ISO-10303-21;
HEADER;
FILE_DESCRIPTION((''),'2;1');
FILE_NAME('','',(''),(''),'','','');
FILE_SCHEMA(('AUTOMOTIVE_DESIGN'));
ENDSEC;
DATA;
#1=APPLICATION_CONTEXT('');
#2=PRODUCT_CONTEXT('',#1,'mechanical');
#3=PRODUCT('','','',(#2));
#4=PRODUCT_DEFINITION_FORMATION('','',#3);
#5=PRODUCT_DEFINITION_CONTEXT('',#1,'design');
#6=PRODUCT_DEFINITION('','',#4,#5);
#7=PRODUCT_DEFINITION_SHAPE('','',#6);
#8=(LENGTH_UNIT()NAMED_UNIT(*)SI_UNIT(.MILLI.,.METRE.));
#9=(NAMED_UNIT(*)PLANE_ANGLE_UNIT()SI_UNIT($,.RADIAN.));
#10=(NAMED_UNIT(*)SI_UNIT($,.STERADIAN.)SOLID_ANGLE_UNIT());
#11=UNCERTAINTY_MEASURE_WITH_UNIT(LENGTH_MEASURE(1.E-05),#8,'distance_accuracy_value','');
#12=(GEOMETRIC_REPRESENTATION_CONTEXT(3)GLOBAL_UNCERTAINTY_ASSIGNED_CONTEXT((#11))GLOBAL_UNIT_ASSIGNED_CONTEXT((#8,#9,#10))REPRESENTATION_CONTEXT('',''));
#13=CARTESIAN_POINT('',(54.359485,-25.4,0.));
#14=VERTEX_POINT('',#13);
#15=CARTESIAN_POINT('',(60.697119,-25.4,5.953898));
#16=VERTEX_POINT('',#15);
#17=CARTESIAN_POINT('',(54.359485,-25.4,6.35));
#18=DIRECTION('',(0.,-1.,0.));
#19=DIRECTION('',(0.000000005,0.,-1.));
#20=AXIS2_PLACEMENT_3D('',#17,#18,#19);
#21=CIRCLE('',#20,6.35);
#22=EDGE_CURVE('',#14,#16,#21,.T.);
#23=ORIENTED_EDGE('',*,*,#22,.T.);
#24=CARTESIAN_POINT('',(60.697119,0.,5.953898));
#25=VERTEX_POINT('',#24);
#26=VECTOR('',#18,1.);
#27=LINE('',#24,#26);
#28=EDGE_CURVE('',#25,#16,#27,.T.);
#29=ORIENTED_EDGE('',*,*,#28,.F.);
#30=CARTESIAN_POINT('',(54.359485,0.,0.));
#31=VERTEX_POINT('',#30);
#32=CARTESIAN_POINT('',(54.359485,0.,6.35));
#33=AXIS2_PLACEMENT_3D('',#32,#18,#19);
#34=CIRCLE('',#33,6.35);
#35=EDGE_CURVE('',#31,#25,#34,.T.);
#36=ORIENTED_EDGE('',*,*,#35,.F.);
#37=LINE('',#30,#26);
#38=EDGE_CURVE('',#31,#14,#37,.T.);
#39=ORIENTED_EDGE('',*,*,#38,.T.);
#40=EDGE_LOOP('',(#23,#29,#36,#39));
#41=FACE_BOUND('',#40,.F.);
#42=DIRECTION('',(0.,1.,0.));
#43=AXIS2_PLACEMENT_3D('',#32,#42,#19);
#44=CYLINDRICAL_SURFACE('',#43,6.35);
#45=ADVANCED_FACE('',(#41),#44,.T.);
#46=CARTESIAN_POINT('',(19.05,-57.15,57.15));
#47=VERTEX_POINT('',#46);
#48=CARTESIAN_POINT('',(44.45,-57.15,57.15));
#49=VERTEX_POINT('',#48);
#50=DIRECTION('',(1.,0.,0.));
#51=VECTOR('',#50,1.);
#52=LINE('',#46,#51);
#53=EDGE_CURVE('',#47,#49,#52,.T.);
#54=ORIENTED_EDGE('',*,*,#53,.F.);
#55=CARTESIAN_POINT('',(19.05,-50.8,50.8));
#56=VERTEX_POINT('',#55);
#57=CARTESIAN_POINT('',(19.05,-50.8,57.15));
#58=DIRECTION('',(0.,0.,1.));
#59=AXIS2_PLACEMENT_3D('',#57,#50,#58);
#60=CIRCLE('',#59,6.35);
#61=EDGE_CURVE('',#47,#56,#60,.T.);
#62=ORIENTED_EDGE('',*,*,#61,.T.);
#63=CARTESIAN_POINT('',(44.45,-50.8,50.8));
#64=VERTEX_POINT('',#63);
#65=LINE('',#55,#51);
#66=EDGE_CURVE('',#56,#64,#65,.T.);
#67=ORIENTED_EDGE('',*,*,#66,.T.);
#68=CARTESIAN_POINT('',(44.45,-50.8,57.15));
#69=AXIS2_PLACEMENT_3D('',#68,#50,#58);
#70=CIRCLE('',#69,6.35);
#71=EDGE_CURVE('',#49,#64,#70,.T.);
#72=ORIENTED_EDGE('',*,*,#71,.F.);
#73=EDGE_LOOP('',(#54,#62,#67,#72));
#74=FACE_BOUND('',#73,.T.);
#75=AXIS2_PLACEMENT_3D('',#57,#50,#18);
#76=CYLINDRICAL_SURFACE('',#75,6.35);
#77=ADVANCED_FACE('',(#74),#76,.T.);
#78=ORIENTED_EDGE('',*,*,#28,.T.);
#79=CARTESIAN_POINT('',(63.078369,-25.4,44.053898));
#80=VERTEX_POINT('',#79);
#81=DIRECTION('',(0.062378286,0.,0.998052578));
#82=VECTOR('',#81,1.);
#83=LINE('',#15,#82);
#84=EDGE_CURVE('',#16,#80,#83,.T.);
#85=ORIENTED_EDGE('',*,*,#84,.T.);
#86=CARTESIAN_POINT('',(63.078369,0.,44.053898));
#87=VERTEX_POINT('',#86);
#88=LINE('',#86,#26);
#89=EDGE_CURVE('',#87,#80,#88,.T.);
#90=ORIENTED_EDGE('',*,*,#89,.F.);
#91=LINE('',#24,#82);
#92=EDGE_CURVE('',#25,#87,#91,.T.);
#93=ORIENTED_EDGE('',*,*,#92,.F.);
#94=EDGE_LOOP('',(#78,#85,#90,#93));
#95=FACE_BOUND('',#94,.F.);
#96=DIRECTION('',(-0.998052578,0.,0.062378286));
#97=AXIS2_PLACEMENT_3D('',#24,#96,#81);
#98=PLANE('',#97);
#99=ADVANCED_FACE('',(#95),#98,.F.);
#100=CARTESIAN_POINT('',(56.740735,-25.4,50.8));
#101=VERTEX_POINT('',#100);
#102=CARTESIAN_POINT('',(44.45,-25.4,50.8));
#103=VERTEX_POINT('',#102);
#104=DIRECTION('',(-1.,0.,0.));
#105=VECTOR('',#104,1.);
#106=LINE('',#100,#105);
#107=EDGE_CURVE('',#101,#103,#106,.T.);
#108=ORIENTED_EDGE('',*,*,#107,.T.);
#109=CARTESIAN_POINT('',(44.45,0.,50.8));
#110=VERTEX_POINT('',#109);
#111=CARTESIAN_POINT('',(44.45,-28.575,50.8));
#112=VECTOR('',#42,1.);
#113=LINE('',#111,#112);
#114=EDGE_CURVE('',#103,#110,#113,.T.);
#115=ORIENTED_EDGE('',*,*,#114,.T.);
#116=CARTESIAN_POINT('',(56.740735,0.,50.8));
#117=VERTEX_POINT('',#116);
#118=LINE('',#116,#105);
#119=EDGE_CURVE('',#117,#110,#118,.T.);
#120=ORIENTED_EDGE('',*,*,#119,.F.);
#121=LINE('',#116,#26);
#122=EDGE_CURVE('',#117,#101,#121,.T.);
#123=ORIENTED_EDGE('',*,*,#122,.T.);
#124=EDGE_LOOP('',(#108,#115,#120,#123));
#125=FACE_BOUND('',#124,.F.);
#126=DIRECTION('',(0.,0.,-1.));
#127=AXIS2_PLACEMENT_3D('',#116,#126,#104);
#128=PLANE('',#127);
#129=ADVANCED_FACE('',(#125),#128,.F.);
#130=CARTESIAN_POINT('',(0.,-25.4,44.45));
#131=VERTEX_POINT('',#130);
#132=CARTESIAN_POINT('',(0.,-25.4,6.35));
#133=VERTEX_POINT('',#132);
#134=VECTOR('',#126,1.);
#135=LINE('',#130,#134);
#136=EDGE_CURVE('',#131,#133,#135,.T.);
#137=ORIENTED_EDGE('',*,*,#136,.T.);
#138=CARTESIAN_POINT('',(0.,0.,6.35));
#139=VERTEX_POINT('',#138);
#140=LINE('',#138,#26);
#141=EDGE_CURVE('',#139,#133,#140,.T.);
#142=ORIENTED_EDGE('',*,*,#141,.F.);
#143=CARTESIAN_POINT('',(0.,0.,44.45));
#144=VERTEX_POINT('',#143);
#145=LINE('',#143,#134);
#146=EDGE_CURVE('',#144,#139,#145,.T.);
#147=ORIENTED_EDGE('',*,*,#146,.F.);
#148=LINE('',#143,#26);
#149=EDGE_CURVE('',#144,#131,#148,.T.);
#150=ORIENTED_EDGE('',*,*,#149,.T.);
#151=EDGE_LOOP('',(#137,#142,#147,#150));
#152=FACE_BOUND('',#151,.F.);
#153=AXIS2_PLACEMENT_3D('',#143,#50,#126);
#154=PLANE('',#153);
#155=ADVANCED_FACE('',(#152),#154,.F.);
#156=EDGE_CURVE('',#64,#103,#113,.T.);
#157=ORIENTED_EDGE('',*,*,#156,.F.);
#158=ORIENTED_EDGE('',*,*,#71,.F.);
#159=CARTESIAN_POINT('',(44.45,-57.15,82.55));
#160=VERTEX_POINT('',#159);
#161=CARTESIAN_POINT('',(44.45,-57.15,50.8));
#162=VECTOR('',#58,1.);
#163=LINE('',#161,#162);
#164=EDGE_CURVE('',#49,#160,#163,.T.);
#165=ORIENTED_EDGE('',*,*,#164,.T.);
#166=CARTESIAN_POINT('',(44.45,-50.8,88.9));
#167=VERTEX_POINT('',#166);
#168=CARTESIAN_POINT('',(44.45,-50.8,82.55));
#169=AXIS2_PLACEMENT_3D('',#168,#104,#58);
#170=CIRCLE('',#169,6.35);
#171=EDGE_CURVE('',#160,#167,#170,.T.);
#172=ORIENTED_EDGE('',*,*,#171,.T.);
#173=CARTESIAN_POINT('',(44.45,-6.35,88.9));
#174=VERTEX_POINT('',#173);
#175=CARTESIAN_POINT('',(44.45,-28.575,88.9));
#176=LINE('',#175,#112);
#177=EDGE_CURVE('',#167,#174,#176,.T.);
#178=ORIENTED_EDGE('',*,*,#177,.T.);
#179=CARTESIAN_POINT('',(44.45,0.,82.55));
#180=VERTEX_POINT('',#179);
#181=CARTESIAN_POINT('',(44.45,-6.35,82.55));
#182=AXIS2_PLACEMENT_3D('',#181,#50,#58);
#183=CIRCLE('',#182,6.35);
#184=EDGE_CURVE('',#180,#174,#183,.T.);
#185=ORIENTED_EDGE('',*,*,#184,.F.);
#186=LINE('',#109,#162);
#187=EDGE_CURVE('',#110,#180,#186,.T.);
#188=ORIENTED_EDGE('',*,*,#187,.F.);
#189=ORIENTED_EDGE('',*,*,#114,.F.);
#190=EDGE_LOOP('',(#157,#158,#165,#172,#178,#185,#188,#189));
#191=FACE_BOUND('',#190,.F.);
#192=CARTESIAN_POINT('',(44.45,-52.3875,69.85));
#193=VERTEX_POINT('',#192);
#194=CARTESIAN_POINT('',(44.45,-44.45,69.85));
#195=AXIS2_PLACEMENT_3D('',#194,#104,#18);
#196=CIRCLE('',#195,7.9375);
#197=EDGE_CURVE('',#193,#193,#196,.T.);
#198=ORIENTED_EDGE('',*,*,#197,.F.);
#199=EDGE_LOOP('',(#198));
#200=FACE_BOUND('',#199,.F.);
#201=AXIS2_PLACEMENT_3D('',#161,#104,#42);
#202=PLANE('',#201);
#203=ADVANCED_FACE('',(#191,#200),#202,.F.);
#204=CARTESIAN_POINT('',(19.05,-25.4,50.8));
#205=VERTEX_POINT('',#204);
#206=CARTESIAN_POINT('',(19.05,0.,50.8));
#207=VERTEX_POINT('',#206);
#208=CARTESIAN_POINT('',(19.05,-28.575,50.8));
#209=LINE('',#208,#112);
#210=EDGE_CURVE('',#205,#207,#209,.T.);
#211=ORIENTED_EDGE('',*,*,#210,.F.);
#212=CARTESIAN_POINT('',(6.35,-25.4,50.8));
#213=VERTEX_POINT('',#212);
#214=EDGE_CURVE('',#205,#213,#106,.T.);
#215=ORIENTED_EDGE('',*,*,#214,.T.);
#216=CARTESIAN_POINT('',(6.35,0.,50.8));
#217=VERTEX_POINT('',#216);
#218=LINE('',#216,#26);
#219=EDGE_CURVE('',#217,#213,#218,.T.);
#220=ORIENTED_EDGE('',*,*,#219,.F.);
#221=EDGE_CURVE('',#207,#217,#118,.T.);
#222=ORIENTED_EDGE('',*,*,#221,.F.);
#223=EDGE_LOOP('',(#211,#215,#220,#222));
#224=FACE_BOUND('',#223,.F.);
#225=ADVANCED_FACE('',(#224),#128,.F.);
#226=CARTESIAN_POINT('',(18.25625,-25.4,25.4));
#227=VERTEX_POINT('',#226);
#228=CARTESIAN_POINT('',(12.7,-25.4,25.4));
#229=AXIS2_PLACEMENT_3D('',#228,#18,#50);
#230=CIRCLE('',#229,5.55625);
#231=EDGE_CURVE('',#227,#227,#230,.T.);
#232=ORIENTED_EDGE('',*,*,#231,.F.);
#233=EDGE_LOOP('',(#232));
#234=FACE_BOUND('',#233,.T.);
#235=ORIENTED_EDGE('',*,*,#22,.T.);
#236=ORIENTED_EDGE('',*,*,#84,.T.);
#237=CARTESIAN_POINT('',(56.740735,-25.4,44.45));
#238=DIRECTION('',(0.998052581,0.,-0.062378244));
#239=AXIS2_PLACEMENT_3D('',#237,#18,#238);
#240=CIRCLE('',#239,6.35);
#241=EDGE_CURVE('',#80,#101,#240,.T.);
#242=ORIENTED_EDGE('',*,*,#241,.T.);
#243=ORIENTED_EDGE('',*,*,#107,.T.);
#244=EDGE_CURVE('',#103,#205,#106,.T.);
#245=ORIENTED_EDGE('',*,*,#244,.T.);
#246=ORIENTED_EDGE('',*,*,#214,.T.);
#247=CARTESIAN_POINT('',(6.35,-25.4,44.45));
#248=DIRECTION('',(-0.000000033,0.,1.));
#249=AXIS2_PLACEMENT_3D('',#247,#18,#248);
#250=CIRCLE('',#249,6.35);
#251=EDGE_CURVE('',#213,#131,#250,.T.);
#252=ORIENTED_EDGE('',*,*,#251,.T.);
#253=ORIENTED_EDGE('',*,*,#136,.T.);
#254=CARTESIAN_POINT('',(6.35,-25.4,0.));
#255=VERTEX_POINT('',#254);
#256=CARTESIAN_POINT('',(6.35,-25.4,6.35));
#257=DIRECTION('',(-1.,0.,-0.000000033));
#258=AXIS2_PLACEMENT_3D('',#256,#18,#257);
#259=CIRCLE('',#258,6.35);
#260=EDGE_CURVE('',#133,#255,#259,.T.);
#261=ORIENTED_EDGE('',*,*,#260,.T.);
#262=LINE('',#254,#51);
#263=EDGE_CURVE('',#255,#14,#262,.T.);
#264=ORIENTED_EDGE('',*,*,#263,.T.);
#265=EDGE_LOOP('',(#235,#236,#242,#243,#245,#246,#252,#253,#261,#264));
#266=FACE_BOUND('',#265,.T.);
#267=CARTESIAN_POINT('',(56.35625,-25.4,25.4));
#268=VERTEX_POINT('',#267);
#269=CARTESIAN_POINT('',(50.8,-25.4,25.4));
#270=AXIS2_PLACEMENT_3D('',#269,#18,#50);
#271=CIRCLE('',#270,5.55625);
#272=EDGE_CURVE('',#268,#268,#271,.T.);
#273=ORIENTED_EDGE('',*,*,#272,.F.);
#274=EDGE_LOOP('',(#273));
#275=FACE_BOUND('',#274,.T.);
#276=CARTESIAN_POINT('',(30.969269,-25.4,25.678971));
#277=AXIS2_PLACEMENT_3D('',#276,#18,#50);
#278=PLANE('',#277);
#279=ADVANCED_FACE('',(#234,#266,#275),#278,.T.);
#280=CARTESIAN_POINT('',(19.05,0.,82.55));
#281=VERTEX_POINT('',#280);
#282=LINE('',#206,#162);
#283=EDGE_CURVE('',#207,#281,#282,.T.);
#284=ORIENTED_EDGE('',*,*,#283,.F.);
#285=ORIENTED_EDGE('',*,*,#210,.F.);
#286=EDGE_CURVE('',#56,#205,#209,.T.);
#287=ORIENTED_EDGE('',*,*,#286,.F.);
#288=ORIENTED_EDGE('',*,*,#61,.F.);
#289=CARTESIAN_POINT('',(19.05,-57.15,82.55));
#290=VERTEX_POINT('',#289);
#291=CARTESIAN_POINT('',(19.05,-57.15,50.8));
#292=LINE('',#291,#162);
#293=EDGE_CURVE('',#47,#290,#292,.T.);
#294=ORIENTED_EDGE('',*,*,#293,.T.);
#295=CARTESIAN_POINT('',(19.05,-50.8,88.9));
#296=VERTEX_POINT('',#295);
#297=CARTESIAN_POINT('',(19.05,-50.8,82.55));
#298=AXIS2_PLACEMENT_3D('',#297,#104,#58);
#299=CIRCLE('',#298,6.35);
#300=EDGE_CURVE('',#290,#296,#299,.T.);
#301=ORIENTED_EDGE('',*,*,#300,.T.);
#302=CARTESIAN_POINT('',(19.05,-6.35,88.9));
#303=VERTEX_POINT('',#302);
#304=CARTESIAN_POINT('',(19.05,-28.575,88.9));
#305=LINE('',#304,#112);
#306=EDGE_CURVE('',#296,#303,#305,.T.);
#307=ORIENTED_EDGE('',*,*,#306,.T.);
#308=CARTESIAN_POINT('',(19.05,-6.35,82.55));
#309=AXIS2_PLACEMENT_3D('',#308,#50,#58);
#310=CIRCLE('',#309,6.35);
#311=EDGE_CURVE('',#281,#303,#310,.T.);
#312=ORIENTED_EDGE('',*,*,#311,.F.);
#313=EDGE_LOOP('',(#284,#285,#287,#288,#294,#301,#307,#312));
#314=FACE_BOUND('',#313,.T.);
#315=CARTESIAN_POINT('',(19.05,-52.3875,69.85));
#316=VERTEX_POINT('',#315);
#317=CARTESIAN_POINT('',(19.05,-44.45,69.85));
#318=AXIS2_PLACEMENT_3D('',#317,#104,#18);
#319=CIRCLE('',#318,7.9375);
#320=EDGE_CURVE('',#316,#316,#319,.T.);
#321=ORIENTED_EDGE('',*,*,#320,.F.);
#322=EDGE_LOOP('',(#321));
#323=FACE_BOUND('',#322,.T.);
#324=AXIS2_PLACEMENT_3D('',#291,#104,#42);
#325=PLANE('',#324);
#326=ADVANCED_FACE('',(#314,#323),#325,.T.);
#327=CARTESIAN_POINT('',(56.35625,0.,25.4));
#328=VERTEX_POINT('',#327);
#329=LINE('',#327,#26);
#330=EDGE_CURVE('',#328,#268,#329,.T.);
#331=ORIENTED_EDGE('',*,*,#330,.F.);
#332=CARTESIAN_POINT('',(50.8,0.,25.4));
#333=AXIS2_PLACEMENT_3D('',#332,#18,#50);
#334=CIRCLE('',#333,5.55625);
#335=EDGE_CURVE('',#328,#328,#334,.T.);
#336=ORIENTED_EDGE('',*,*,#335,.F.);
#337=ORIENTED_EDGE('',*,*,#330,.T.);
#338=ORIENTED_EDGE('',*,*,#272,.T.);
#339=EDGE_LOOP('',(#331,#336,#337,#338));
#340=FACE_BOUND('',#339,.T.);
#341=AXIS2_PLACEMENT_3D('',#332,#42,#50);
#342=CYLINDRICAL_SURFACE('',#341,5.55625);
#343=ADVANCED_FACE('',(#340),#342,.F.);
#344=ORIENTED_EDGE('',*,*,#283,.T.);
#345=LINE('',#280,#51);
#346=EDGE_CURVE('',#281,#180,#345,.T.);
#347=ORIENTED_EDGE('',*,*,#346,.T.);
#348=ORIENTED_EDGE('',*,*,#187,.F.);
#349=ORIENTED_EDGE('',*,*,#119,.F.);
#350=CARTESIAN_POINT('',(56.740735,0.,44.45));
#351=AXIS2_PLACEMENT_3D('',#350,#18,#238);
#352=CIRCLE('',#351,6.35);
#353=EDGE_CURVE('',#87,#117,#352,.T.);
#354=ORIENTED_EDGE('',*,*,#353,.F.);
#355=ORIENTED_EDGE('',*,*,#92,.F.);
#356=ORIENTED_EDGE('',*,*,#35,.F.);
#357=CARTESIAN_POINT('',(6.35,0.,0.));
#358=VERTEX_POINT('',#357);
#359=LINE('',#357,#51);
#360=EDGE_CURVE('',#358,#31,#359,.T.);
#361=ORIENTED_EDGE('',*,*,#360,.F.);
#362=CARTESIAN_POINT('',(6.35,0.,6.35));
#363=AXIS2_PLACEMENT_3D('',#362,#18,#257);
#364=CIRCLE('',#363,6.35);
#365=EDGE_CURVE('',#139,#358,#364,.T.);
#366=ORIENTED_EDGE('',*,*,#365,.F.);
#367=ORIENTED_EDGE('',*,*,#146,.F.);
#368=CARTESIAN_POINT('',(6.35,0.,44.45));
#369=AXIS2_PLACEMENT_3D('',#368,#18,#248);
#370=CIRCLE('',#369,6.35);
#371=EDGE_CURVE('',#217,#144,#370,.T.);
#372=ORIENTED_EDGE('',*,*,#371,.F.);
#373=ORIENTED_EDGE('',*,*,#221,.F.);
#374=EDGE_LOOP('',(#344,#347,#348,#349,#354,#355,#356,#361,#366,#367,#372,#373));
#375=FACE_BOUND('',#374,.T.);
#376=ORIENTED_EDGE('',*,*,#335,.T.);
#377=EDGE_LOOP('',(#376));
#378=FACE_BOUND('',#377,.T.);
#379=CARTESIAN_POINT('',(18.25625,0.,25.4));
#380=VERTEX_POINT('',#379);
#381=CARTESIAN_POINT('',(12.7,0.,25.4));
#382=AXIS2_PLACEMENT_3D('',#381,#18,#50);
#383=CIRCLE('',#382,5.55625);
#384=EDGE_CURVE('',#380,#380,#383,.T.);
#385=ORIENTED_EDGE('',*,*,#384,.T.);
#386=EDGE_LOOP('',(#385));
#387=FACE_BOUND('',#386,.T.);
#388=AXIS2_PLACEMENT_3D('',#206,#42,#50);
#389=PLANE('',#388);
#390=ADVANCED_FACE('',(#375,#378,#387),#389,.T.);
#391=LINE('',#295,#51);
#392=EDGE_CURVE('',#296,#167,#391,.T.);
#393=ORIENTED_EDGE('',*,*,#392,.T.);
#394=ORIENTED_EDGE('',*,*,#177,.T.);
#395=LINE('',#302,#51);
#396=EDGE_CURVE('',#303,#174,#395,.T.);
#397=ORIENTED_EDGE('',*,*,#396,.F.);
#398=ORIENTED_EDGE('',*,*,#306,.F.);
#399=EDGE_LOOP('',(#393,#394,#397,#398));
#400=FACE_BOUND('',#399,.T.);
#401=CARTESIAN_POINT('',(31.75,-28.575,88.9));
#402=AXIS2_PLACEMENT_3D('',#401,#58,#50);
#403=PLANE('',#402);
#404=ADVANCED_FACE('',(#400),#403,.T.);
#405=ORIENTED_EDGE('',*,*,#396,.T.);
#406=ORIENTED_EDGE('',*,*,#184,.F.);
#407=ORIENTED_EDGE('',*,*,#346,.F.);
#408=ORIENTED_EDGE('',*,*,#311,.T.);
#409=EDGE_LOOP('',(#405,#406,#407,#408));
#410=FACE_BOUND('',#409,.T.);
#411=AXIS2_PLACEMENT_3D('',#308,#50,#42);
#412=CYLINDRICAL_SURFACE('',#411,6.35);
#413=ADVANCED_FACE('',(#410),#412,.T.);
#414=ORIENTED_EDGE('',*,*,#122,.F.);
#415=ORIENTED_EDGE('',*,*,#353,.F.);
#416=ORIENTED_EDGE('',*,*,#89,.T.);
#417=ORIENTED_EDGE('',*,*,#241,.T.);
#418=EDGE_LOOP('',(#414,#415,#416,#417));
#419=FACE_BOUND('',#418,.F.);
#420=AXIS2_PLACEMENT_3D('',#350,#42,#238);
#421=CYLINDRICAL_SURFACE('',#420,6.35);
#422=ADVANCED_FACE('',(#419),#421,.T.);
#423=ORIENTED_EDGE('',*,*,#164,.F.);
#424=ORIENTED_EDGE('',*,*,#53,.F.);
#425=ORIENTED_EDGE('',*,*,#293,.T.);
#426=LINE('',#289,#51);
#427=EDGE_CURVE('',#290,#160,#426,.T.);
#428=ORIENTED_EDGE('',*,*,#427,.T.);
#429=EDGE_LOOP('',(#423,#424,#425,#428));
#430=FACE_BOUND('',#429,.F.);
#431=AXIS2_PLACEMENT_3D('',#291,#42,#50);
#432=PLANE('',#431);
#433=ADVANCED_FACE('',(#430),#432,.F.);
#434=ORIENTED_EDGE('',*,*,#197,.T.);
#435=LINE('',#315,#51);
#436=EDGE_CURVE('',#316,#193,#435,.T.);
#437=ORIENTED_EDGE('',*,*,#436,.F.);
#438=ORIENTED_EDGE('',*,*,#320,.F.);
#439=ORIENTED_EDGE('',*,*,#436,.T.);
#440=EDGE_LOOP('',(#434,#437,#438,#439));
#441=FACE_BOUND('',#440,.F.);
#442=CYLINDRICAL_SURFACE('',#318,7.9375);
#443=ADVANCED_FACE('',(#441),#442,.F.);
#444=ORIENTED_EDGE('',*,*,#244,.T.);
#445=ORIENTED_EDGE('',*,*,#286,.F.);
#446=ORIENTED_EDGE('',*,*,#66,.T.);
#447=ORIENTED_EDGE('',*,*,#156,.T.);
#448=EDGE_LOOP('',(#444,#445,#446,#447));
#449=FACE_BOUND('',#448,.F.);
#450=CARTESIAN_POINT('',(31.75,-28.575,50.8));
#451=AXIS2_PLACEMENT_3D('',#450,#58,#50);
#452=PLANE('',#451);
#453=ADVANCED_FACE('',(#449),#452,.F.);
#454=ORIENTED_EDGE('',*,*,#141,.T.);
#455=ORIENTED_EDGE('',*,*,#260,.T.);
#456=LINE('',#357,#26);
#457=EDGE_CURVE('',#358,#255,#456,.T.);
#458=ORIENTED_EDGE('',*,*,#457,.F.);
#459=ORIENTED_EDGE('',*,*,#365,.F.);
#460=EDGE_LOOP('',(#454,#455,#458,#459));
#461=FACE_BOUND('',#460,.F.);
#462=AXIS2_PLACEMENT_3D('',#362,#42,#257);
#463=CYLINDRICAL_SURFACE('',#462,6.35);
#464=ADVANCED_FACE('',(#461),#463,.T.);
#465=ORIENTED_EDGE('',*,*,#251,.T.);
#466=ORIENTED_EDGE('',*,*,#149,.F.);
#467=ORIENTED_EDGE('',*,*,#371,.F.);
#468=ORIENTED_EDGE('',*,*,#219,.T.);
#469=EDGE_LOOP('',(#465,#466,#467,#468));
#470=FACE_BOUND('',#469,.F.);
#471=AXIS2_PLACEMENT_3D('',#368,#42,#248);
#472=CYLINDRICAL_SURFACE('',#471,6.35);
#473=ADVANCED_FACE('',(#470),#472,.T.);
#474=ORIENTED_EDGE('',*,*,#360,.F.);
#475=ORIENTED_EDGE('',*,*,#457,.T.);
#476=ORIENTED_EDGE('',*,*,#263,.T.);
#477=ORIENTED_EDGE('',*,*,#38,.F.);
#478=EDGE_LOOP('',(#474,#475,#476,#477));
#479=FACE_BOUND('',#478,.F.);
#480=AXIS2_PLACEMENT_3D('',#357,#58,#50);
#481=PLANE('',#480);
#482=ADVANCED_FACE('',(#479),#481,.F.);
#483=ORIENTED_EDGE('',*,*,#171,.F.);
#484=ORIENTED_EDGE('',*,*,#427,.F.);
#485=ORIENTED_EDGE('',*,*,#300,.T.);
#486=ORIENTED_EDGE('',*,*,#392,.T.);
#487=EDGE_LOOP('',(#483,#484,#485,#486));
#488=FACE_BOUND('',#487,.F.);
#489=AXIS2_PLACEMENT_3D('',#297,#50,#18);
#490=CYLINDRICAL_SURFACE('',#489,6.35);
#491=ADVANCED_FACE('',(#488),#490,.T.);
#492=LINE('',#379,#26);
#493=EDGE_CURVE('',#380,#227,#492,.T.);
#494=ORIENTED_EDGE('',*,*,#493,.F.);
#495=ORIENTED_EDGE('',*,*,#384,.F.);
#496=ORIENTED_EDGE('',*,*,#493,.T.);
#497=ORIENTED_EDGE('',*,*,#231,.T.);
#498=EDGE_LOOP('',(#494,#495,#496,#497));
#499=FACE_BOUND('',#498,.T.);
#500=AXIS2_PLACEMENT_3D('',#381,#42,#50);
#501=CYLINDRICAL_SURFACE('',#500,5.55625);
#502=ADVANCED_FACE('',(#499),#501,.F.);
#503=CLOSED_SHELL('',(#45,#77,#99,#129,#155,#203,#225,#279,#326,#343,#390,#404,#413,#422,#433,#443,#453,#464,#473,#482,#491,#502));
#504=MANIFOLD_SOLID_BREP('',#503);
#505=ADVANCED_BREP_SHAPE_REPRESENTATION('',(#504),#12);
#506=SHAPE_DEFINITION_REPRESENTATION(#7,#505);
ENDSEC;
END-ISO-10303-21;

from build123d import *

# Parameters (mm, degrees)
F0_R     = 5.55625
F1_DEPTH = 25.4
F2_W     = 25.4
F2_H     = 57.15
F3_DEPTH = 38.1
F4_R     = 6.35
F5_R     = 7.9375
F6_DEPTH = 25.4


with BuildPart() as f1:
    # F0 (on Front) → F1 (new body)
    with BuildSketch(Plane.XZ):
        with BuildLine():
            ThreePointArc((0, 6.35), (1.859872, 1.859872), (6.35, 0))
            Line((6.35, 0), (54.359485, 0))
            ThreePointArc((54.359485, 0), (58.707315, 1.721947), (60.697119, 5.953898))
            Line((60.697119, 5.953898), (63.078369, 44.053898))
            ThreePointArc((63.078369, 44.053898), (61.368788, 48.79783), (56.740735, 50.8))
            Line((56.740735, 50.8), (6.35, 50.8))
            ThreePointArc((6.35, 50.8), (1.859872, 48.940128), (0, 44.45))
            Line((0, 44.45), (0, 6.35))
        make_face()
        with Locations((12.7, 25.4)):
            Circle(F0_R, mode=Mode.SUBTRACT)
        with Locations((50.8, 25.4)):
            Circle(F0_R, mode=Mode.SUBTRACT)
    extrude(amount=F1_DEPTH)

    # F2 (on face) → F3 (join)
    with BuildSketch(Plane.XY.offset(50.8)):
        with Locations((31.75, -28.575)):
            Rectangle(F2_W, F2_H)
    extrude(amount=F3_DEPTH)

    # F4
    f4_edges = [f1.edges().sort_by_distance(p)[0] for p in [
        (31.75, -57.15, 88.9),
        (31.75, -57.15, 50.8),
        (31.75, 0, 88.9),
    ]]
    fillet(f4_edges, radius=F4_R)

    # F5 (on face) → F6 (cut)
    with BuildSketch(Plane(origin=(19.05, 0, 0), x_dir=(0, -1, 0), z_dir=(-1, 0, 0))):
        with Locations((44.45, 69.85)):
            Circle(F5_R)
    extrude(amount=-F6_DEPTH, mode=Mode.SUBTRACT)


solid = f1.part
